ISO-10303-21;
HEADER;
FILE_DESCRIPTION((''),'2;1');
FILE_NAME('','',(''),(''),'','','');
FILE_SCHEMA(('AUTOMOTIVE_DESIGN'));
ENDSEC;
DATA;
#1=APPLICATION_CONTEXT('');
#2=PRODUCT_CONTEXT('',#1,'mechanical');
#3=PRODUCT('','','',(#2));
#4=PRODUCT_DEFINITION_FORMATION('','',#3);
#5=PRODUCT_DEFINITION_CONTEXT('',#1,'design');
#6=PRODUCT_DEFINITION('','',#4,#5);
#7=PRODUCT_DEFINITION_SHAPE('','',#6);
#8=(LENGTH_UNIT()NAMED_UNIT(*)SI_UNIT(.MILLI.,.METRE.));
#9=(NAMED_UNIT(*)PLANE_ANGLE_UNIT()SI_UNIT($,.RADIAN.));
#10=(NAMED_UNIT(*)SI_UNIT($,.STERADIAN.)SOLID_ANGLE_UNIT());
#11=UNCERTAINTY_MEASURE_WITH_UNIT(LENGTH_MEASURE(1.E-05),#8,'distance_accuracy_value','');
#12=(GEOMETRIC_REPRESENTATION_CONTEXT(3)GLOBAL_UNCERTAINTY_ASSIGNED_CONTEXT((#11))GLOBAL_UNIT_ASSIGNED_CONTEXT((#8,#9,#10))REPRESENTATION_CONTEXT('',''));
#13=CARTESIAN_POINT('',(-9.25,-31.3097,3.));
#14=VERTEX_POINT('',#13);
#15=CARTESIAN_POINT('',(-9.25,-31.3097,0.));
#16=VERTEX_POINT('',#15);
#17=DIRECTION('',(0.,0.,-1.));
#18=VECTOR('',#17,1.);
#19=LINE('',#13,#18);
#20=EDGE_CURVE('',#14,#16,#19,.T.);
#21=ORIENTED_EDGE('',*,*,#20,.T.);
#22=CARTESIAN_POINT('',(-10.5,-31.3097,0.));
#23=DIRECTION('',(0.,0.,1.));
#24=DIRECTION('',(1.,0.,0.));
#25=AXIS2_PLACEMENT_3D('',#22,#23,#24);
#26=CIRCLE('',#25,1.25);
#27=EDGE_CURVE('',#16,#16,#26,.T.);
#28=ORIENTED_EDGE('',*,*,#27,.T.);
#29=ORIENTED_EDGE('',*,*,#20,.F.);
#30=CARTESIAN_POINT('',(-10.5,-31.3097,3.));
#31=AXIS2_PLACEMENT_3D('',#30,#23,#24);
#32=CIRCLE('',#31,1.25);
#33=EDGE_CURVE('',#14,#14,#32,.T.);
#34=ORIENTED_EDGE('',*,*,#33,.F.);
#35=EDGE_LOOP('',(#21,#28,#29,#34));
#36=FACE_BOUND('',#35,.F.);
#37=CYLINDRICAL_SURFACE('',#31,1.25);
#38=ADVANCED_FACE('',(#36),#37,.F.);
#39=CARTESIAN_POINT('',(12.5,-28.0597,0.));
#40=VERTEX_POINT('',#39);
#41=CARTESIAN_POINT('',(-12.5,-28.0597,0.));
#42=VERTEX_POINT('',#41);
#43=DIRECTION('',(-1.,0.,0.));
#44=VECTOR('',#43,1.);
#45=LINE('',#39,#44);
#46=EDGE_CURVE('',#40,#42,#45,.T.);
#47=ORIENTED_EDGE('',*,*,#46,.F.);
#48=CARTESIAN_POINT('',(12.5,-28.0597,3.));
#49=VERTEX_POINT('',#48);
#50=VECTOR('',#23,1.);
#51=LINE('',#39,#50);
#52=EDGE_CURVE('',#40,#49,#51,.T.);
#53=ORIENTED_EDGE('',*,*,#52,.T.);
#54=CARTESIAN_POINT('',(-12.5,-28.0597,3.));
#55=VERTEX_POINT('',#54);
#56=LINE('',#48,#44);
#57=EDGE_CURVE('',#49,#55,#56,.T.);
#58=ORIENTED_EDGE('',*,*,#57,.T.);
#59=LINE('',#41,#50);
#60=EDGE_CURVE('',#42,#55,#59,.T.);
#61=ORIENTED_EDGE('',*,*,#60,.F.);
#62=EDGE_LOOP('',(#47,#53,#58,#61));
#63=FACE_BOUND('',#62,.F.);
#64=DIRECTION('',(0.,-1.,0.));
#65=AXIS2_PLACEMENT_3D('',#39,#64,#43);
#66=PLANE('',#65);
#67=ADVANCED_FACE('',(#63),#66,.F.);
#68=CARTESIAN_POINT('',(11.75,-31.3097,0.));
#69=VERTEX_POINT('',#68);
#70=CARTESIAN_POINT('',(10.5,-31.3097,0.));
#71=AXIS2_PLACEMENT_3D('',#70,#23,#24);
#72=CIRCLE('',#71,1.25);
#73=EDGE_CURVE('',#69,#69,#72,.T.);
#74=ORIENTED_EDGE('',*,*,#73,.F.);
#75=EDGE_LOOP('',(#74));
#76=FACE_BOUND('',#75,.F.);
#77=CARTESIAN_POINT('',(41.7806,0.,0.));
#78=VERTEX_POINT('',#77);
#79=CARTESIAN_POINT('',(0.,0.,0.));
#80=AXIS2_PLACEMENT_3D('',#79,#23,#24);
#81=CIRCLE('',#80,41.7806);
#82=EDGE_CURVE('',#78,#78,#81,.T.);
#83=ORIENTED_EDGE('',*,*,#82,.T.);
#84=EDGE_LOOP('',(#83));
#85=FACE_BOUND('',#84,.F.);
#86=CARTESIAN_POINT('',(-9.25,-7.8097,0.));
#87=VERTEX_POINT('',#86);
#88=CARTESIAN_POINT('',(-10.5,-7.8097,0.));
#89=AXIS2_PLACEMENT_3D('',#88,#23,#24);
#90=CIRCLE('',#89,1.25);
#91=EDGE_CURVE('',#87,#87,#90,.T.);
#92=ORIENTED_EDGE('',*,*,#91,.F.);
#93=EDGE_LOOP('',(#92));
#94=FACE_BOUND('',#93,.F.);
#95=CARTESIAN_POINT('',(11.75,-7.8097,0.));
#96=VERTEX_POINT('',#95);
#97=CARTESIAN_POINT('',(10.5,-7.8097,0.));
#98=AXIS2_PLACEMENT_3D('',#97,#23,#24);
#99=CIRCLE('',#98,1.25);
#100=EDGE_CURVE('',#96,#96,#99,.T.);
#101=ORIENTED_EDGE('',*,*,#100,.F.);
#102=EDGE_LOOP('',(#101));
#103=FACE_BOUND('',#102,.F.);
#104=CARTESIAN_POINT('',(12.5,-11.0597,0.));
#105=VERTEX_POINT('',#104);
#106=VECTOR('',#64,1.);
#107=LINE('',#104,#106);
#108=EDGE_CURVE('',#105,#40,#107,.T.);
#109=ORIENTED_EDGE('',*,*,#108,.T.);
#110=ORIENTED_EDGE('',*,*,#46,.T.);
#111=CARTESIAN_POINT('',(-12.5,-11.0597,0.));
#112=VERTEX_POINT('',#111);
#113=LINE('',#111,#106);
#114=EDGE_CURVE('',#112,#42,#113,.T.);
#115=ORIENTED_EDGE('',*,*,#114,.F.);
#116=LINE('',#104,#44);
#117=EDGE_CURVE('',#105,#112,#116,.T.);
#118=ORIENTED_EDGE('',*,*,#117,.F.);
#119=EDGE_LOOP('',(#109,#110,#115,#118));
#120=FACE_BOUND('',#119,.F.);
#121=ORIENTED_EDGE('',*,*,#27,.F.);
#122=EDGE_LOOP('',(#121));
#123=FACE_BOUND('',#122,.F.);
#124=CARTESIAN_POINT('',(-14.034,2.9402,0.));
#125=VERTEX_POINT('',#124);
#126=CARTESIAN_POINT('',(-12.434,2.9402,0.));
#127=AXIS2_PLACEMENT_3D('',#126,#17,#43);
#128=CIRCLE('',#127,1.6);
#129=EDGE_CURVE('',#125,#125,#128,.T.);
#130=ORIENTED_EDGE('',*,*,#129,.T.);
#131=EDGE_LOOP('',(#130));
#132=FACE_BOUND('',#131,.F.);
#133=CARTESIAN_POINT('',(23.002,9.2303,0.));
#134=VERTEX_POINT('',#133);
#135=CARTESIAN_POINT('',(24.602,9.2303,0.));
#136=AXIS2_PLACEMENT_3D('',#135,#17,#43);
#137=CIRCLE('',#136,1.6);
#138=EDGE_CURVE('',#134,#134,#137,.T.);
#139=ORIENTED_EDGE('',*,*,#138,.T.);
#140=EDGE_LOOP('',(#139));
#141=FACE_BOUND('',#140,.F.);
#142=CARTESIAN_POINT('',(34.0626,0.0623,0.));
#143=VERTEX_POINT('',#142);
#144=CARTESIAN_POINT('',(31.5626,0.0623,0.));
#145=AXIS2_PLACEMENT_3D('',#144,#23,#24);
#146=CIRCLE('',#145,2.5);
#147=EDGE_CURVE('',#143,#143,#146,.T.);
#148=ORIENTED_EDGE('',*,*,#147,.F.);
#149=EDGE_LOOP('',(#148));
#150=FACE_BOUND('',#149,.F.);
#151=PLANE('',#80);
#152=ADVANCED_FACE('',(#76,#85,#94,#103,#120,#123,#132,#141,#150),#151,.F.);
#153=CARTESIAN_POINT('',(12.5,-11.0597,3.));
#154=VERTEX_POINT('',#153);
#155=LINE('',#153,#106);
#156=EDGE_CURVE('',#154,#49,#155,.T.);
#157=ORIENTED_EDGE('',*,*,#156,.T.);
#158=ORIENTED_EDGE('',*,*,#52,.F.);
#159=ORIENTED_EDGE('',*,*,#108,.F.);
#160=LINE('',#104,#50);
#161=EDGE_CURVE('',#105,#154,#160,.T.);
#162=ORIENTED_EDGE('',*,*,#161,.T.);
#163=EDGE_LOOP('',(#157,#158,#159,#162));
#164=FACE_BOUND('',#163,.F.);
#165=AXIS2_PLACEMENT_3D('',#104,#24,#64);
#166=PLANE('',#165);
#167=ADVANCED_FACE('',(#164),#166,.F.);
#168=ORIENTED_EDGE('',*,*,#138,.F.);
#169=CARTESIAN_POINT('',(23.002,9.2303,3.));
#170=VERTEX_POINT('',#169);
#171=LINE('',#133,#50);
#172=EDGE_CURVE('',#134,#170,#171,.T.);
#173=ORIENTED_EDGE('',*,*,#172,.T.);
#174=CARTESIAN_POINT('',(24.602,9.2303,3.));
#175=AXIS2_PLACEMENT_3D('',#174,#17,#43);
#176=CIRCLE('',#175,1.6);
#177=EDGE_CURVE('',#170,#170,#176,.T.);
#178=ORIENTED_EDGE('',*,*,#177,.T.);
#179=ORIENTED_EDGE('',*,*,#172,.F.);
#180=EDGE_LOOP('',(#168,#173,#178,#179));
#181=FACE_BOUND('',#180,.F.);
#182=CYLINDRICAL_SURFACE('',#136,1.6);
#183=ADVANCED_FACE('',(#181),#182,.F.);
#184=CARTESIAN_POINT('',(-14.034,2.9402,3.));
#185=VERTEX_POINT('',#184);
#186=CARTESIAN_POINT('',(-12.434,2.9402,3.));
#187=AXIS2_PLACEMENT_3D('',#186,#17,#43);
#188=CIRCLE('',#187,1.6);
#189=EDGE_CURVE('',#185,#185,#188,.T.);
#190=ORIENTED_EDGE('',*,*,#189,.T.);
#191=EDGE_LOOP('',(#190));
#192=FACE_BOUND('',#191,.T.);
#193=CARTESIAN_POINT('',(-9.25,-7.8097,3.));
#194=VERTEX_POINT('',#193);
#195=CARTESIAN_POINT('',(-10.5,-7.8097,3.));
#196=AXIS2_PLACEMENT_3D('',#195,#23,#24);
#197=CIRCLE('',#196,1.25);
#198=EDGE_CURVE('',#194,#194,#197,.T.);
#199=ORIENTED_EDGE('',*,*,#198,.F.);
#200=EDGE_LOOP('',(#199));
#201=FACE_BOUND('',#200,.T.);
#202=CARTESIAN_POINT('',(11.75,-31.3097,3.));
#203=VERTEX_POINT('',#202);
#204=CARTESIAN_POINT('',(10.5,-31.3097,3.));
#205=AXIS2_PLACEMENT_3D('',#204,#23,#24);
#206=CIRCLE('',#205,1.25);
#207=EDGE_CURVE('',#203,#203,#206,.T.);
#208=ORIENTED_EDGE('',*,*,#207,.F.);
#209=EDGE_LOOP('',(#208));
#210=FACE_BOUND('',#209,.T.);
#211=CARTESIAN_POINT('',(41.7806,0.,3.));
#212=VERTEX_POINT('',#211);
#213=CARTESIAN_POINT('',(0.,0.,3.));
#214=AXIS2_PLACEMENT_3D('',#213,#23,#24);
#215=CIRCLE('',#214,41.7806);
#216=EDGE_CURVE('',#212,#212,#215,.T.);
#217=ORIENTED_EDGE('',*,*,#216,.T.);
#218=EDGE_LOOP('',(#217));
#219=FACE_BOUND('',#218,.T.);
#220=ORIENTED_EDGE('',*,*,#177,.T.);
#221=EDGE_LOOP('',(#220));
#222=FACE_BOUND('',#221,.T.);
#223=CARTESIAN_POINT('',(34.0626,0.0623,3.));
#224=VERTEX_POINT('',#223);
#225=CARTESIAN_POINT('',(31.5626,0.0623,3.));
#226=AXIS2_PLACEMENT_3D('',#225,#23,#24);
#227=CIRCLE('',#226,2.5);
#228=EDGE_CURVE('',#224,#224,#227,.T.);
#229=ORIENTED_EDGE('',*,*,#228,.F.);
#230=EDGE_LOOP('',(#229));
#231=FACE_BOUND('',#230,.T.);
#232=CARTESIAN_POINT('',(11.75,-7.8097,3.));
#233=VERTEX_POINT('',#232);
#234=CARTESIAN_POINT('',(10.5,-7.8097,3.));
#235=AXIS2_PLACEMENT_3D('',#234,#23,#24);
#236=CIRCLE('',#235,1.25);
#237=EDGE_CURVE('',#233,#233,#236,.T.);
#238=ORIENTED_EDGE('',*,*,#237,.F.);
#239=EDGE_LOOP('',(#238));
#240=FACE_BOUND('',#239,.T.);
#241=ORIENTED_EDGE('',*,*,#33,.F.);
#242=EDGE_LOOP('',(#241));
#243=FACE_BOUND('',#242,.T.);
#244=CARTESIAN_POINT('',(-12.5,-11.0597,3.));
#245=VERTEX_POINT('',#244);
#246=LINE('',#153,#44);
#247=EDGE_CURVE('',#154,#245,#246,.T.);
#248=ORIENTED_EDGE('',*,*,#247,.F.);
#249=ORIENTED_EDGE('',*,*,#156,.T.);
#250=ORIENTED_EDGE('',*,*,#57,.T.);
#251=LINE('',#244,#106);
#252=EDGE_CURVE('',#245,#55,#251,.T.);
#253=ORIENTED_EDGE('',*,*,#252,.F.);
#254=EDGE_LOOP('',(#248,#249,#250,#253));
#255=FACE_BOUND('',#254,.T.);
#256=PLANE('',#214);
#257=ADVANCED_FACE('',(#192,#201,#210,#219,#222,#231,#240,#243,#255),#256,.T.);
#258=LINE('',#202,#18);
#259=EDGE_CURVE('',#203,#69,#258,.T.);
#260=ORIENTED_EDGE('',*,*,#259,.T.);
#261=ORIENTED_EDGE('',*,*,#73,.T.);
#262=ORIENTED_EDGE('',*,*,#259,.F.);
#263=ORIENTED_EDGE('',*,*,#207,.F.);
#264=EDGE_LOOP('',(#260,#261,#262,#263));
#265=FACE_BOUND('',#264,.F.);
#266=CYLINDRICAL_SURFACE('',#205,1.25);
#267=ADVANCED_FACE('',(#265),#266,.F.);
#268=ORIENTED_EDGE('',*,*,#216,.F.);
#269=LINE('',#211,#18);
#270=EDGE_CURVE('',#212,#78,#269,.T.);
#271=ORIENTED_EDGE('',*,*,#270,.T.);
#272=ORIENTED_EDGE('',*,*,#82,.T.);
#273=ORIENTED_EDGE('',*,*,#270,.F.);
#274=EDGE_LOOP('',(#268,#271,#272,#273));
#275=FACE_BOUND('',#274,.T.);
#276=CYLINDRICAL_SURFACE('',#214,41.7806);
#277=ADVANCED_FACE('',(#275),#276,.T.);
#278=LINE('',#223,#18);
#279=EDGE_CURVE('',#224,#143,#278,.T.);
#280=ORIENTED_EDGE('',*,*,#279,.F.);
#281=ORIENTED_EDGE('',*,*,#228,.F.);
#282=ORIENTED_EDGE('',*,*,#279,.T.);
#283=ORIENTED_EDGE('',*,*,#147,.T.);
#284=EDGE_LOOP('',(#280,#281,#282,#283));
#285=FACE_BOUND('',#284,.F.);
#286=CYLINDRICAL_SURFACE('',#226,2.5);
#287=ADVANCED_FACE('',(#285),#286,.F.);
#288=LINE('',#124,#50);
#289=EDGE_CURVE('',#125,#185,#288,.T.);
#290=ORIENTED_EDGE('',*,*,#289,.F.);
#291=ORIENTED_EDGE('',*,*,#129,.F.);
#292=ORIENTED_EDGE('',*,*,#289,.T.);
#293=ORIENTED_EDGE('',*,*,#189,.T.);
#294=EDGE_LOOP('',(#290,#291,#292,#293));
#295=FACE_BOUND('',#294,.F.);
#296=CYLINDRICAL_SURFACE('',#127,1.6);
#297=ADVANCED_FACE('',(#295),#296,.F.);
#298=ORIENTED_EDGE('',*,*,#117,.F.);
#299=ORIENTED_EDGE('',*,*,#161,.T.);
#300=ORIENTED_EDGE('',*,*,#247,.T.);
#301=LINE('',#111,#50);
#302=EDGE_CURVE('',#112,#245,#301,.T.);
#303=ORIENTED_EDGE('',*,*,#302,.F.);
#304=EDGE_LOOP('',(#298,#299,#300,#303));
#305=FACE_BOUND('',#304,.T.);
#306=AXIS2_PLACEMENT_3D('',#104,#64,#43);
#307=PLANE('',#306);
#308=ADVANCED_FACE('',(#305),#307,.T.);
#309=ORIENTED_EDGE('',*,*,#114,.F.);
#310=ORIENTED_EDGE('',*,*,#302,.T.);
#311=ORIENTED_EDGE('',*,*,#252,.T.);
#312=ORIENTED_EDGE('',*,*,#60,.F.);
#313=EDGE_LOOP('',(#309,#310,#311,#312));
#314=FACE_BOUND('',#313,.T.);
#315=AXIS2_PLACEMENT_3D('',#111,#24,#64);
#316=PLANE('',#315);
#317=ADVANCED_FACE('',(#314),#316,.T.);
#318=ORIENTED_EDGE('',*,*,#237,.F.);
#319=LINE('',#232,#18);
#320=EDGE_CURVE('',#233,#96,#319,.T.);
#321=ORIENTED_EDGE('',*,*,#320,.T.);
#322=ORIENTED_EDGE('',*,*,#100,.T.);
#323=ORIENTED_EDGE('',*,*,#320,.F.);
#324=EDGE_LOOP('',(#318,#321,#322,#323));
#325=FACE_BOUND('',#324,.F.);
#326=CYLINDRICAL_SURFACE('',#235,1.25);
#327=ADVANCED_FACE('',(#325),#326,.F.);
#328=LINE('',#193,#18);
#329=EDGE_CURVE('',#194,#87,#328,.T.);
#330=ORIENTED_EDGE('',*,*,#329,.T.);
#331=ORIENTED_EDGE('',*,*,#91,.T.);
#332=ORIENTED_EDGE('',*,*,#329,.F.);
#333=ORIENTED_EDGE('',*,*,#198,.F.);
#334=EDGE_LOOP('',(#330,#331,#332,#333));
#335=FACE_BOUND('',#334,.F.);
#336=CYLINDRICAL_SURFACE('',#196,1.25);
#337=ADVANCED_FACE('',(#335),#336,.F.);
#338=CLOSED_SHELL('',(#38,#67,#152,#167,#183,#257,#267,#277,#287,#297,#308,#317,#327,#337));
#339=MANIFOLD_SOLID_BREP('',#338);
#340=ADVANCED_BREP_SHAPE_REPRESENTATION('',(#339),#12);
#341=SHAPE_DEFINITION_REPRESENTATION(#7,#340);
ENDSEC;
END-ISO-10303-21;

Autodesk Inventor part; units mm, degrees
ref_plane "YZ Plane" through (0, 0, 0) normal (1, 0, 0) x (0, 1, 0)
ref_plane "XZ Plane" through (0, 0, 0) normal (0, 1, 0) x (-1, 0, 0)
ref_plane "XY Plane" through (0, 0, 0) normal (0, 0, 1) x (1, 0, 0)
sketch "Эскиз3" plane through (0, 0, 0) normal (0, 0, 1) x (1, 0, 0)
  circle A0 centre (0, 0) radius 41.5
  line L0 (12.5, -11.0597) -> (-12.5, -11.0597) projected
  line L1 (-12.5, -11.0597) -> (-12.5, -28.0597) projected
  line L2 (-12.5, -11.0597) -> (12.5, -11.0597)
  line L3 (12.5, -11.0597) -> (12.5, -28.0597)
  line L4 (12.5, -28.0597) -> (-12.5, -28.0597)
  line L5 (-12.5, -28.0597) -> (-12.5, -11.0597)
  dimension "d9" = 83
  dimension "d10" = 25
  dimension "d11" = 17
  dimension "d13" = 25
  dimension "d14" = 17
  dimension "d15" = 12.5
extrude "Выдавливание3" add sketch "Эскиз3" along normal blind 3
sketch "Эскиз4" plane through (0, 0, 3) normal (0, 0, 1) x (1, 0, 0)
  arc A0 (5.7629, -8.6636) -> (-4.709, -8.7124) centre (0.4132, 15.7598) ccw
  circle A1 centre (0.4132, 15.7598) radius 1.5338
  point P0 (0, 0)
extrude "Выдавливание4" cut sketch "Эскиз4" against normal blind 3
sketch "Эскиз5" plane through (0, 0, 3) normal (0, 0, 1) x (1, 0, 0)
  line L0 (-51.8221, -46.0116) -> (-45.155, -49.3714) projected
  circle A0 centre (31.5626, 0.0623) radius 2.5
  point P0 (0, 0)
  dimension "d20" = 5
extrude "Выдавливание5" cut sketch "Эскиз5" against normal blind 3
sketch "Эскиз6" plane through (0, 0, 3) normal (0, 0, 1) x (1, 0, 0)
  circle A0 centre (0.4132, 15.7598) radius 1.5338 projected
  point P0 (0, 0)
extrude "Выдавливание6" add sketch "Эскиз6" against normal blind 3
sketch "Эскиз7" plane through (0, 0, 3) normal (0, 0, 1) x (1, 0, 0)
  circle A0 centre (10.5, -7.8097) radius 1.25 projected
  circle A1 centre (-10.5, -7.8097) radius 1.25 projected
  circle A2 centre (-10.5, -31.3097) radius 1.25 projected
  circle A3 centre (10.5, -31.3097) radius 1.25 projected
  point P0 (0, 0)
extrude "Выдавливание7" cut sketch "Эскиз7" against normal blind 3
sketch "Эскиз13" plane through (0, 0, 3) normal (0, 0, 1) x (1, 0, 0)
  circle A0 centre (0, 0) radius 41.5 projected
  circle A1 centre (0, 0) radius 41.7806
  point P0 (-26.934, 31.9403)
extrude "Выдавливание12" add sketch "Эскиз13" against normal blind 3
sketch "Эскиз14" plane through (0, 0, 0) normal (0, 0, -1) x (-1, 0, 0)
  circle A0 centre (-24.602, 9.2303) radius 1.6 projected
  circle A1 centre (12.434, 2.9402) radius 1.6 projected
  point P0 (0, 0)
extrude "Выдавливание13" cut sketch "Эскиз14" against normal blind 3
equation "\"d13\" = d10"
equation "\"d14\" = d11"
equation "\"d15\" = 0.5 * d13"
properties part number "top"
